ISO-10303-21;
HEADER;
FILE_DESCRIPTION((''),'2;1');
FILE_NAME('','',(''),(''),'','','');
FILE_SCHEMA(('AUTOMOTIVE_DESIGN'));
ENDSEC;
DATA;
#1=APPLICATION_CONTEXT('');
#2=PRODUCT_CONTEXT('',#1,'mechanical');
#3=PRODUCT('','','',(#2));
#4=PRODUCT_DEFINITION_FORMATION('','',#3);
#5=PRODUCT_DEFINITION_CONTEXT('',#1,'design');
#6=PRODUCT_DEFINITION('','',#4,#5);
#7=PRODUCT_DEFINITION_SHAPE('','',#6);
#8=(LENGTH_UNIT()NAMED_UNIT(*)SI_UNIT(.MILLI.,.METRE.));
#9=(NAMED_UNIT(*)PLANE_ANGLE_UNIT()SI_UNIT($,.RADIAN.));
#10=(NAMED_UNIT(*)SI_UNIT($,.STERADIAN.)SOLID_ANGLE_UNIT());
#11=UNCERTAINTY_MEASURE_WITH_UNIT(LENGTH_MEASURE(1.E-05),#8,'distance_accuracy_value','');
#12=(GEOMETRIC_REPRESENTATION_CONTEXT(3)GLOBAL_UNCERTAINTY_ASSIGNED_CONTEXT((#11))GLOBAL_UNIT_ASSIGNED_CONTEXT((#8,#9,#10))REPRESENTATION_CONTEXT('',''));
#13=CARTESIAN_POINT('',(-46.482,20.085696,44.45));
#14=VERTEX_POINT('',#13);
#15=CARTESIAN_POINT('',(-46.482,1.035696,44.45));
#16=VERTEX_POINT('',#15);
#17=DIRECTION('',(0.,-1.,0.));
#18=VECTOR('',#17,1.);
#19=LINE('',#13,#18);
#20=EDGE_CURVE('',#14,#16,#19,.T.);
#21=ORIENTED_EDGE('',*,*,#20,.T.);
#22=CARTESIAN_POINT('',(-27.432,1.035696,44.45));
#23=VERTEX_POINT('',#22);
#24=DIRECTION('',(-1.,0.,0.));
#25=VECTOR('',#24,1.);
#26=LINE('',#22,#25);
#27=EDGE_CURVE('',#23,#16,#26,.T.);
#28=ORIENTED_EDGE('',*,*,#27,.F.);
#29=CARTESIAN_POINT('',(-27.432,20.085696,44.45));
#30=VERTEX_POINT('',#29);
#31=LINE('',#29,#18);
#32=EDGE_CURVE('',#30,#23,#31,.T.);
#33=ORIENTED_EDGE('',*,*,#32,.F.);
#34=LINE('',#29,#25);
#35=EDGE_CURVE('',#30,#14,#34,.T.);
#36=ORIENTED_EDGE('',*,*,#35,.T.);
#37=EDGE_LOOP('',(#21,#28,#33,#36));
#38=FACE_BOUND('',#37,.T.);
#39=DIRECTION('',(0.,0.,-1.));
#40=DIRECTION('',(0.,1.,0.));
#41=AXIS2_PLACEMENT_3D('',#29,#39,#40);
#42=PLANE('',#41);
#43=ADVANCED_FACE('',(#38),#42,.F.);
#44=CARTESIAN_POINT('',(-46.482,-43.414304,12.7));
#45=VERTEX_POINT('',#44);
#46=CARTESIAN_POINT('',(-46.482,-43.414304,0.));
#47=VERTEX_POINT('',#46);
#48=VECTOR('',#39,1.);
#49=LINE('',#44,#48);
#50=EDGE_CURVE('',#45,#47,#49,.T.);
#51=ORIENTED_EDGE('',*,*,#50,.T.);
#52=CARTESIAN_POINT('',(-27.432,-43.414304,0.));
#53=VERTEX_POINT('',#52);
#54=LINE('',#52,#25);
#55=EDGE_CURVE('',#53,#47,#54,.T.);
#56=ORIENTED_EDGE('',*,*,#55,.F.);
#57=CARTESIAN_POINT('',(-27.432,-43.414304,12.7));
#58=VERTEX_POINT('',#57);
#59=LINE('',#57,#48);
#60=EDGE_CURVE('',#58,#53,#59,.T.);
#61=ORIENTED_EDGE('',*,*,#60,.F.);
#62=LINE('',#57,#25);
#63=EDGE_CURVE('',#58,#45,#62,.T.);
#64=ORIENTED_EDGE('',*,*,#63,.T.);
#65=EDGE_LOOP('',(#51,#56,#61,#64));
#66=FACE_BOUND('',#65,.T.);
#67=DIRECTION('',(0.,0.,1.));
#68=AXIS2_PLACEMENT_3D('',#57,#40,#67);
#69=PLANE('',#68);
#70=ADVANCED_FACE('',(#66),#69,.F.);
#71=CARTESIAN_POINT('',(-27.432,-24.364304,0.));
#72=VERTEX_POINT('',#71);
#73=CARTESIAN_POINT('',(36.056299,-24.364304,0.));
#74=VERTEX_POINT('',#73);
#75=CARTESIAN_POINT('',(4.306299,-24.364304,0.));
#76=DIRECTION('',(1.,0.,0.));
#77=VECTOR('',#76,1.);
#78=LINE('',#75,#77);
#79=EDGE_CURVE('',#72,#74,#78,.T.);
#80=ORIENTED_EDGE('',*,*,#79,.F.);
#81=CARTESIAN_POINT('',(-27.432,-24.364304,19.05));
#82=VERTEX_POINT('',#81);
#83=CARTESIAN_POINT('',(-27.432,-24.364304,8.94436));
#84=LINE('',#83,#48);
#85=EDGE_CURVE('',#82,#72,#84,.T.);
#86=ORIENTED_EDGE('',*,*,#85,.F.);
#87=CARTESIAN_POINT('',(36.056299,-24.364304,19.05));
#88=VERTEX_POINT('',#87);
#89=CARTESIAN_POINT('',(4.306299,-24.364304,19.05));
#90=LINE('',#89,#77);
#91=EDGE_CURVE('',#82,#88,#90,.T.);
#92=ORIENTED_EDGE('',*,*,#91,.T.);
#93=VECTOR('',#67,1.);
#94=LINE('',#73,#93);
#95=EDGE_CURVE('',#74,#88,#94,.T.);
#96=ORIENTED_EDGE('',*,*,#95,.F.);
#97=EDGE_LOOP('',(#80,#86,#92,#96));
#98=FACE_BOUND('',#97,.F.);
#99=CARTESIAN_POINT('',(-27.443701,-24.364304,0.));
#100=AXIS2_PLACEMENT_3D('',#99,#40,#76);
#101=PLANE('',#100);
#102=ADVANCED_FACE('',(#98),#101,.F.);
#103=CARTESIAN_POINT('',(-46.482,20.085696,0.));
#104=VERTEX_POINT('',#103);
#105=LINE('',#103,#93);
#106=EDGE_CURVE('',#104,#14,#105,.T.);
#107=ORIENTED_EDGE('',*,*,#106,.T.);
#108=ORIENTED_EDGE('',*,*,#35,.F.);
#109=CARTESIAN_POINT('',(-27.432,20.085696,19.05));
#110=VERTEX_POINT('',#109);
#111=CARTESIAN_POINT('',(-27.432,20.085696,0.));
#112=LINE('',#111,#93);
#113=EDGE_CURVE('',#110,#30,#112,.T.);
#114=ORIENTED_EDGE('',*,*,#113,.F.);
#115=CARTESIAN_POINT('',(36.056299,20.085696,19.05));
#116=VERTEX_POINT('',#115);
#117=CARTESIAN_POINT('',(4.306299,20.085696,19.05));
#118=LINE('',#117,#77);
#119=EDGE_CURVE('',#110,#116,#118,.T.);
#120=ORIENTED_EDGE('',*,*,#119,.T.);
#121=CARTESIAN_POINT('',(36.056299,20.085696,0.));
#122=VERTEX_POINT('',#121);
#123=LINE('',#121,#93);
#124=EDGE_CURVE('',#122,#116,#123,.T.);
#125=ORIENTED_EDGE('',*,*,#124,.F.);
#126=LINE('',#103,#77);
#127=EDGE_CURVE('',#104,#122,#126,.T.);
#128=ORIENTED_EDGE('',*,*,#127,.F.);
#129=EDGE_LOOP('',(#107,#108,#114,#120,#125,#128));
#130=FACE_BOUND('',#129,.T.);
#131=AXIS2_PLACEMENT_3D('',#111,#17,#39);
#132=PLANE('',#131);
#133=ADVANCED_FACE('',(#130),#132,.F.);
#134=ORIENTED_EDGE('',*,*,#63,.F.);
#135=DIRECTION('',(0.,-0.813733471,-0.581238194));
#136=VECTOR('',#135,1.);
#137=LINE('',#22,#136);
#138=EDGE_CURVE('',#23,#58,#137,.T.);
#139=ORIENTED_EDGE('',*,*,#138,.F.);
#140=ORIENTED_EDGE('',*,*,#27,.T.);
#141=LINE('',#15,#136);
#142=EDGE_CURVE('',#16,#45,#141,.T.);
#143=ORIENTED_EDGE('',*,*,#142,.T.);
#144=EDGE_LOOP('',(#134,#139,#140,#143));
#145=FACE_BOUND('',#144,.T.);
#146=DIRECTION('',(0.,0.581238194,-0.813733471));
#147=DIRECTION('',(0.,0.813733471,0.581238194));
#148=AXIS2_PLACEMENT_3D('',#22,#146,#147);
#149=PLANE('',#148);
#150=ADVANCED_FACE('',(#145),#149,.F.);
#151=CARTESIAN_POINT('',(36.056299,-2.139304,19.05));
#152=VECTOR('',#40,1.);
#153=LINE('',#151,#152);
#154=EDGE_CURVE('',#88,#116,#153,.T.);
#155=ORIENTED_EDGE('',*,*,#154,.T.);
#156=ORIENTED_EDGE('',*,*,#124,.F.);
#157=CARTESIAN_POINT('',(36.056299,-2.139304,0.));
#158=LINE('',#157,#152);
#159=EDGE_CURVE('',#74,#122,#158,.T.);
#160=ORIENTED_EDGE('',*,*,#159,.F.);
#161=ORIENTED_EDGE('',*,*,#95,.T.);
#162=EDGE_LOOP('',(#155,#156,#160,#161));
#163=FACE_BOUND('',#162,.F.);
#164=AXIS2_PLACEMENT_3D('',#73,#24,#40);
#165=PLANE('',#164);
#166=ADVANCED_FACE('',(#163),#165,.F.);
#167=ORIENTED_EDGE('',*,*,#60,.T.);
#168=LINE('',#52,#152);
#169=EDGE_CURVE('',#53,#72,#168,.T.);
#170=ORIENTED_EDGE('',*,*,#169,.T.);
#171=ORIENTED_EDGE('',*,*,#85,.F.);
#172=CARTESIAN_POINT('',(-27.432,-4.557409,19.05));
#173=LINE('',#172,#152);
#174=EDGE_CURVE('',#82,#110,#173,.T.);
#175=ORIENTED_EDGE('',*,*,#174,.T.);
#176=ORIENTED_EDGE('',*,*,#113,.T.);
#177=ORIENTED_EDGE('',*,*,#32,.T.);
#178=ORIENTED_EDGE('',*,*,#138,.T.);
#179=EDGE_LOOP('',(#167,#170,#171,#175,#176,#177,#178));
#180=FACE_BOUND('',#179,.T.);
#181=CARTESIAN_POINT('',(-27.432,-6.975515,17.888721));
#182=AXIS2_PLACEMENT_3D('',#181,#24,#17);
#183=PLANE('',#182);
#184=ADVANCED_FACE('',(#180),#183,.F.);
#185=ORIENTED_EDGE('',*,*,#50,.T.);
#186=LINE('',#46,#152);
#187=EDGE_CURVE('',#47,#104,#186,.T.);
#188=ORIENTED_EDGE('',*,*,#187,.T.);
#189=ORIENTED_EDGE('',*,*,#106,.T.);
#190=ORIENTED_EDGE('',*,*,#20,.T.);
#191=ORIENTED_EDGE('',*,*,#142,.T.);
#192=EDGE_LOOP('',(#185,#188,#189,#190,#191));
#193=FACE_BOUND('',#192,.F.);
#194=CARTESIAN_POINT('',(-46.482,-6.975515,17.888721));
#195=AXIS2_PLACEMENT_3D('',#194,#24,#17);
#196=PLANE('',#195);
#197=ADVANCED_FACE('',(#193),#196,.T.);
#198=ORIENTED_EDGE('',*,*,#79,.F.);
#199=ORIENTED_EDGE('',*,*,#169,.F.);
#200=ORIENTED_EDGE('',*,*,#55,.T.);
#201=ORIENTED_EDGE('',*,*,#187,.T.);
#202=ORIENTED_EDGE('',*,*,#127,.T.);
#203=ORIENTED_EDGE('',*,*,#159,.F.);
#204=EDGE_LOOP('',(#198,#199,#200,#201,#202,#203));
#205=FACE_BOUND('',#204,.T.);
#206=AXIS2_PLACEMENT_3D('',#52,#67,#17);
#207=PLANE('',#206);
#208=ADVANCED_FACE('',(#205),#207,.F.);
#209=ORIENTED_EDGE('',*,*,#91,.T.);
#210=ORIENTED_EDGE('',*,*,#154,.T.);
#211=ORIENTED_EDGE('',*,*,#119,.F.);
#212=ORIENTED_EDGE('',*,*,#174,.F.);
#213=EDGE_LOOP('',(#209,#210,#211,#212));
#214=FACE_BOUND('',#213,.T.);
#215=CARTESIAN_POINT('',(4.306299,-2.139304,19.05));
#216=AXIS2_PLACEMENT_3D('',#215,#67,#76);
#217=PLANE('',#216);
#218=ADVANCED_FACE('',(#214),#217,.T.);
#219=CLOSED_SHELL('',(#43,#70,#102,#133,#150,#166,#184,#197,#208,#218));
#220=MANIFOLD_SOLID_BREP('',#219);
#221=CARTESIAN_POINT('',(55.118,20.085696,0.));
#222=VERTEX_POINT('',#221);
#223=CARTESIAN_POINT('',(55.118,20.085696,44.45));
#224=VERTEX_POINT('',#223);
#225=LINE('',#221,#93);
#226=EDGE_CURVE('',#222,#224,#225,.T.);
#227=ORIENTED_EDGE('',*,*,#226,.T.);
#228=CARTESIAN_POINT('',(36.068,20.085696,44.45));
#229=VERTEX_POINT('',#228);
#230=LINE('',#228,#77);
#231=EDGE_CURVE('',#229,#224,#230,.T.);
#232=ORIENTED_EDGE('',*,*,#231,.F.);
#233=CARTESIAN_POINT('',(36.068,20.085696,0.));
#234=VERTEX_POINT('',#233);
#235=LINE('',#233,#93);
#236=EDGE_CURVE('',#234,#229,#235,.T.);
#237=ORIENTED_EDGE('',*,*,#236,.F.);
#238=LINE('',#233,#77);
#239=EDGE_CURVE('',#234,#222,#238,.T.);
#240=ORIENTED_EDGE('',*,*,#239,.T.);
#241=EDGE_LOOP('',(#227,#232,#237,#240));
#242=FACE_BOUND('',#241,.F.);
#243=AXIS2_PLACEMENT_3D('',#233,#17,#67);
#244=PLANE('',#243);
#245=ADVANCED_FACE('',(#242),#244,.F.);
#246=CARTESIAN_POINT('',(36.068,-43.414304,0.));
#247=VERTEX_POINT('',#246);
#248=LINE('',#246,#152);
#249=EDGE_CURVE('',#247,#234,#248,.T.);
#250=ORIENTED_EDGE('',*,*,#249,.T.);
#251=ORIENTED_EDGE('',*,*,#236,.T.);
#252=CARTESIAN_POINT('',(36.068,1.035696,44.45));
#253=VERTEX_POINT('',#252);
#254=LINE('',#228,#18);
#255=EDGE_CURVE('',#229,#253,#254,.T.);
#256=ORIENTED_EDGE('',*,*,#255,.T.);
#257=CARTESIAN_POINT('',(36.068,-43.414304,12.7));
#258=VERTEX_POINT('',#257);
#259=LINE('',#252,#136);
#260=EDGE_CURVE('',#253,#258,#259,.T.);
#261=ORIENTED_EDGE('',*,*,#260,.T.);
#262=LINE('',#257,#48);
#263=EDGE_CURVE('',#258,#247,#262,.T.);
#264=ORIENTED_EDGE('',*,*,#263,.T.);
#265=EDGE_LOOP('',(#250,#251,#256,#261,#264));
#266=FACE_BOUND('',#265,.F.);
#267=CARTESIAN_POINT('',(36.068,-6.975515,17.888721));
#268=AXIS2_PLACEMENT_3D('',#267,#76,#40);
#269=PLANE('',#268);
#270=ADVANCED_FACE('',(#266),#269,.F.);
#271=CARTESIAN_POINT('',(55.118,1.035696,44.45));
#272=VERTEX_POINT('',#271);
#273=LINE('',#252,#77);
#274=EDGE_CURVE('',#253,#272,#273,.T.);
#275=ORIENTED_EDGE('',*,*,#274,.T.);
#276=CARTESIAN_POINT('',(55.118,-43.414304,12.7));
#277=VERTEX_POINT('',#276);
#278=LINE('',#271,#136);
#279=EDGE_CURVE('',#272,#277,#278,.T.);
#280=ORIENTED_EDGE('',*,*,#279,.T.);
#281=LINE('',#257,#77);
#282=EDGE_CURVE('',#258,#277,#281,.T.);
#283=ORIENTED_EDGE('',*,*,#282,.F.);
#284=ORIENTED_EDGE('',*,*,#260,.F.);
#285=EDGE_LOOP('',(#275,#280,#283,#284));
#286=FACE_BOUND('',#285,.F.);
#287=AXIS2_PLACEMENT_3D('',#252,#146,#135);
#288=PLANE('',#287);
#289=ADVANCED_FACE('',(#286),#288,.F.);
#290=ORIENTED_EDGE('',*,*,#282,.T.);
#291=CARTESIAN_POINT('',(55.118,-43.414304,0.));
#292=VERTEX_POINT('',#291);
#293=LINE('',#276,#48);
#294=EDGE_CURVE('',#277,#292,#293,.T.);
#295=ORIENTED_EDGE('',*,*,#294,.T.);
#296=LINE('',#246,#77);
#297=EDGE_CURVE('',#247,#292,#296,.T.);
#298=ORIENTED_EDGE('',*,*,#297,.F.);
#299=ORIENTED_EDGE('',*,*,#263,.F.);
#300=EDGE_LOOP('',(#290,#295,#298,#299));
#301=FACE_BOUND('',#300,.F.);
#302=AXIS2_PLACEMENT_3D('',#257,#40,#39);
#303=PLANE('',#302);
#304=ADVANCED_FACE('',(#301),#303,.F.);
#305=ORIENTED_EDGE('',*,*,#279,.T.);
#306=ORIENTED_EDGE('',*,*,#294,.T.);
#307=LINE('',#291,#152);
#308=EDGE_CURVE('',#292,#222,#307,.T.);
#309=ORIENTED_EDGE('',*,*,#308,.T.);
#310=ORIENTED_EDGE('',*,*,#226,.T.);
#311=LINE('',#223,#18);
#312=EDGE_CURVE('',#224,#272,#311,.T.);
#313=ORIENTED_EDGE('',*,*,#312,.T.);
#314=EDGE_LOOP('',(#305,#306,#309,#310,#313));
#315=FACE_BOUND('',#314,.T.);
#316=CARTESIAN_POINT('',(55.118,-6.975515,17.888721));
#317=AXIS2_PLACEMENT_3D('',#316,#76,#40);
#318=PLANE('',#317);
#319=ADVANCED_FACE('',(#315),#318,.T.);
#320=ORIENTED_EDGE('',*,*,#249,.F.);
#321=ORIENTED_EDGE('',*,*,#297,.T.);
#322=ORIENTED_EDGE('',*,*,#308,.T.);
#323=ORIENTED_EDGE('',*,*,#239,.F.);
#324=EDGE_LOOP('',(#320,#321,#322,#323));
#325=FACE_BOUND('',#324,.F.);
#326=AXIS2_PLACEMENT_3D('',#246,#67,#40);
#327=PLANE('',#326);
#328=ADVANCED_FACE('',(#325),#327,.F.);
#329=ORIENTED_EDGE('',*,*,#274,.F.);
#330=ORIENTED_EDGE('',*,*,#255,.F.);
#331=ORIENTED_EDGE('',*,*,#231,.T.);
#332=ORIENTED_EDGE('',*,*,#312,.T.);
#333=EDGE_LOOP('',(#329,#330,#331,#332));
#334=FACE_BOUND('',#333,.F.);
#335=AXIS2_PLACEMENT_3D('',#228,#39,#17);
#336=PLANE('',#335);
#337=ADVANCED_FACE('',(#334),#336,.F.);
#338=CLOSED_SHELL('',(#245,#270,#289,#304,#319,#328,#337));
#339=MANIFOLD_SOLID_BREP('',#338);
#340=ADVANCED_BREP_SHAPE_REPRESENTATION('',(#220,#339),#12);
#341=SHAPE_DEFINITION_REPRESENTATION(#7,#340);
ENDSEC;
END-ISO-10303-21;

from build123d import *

# Parameters (mm, degrees)
F0_W     = 63.5
F0_H     = 44.45
F1_DEPTH = 19.05
F5_DEPTH = 19.05


with BuildPart() as f1:
    # F0 (on Top) → F1 (new body)
    with BuildSketch(Plane.XY):
        with Locations((4.306299, -2.139304)):
            Rectangle(F0_W, F0_H)
    extrude(amount=F1_DEPTH)

    # F6: F5 across plane


with BuildPart() as f5:
    # F3 (on offset) → F5 (new body)
    with BuildSketch(Plane.YZ.offset(36.068)):
        Polygon((-43.414304, 0), (20.085696, 0), (20.085696, 44.45), (1.035696, 44.45), (-43.414304, 12.7), align=None)
    extrude(amount=F5_DEPTH)


with BuildPart() as f1_1:
    add(f1.part)
    add(f5.part.mirror(Plane.YZ.offset(4.318)))


solid = Compound([f5.part, f1_1.part])
